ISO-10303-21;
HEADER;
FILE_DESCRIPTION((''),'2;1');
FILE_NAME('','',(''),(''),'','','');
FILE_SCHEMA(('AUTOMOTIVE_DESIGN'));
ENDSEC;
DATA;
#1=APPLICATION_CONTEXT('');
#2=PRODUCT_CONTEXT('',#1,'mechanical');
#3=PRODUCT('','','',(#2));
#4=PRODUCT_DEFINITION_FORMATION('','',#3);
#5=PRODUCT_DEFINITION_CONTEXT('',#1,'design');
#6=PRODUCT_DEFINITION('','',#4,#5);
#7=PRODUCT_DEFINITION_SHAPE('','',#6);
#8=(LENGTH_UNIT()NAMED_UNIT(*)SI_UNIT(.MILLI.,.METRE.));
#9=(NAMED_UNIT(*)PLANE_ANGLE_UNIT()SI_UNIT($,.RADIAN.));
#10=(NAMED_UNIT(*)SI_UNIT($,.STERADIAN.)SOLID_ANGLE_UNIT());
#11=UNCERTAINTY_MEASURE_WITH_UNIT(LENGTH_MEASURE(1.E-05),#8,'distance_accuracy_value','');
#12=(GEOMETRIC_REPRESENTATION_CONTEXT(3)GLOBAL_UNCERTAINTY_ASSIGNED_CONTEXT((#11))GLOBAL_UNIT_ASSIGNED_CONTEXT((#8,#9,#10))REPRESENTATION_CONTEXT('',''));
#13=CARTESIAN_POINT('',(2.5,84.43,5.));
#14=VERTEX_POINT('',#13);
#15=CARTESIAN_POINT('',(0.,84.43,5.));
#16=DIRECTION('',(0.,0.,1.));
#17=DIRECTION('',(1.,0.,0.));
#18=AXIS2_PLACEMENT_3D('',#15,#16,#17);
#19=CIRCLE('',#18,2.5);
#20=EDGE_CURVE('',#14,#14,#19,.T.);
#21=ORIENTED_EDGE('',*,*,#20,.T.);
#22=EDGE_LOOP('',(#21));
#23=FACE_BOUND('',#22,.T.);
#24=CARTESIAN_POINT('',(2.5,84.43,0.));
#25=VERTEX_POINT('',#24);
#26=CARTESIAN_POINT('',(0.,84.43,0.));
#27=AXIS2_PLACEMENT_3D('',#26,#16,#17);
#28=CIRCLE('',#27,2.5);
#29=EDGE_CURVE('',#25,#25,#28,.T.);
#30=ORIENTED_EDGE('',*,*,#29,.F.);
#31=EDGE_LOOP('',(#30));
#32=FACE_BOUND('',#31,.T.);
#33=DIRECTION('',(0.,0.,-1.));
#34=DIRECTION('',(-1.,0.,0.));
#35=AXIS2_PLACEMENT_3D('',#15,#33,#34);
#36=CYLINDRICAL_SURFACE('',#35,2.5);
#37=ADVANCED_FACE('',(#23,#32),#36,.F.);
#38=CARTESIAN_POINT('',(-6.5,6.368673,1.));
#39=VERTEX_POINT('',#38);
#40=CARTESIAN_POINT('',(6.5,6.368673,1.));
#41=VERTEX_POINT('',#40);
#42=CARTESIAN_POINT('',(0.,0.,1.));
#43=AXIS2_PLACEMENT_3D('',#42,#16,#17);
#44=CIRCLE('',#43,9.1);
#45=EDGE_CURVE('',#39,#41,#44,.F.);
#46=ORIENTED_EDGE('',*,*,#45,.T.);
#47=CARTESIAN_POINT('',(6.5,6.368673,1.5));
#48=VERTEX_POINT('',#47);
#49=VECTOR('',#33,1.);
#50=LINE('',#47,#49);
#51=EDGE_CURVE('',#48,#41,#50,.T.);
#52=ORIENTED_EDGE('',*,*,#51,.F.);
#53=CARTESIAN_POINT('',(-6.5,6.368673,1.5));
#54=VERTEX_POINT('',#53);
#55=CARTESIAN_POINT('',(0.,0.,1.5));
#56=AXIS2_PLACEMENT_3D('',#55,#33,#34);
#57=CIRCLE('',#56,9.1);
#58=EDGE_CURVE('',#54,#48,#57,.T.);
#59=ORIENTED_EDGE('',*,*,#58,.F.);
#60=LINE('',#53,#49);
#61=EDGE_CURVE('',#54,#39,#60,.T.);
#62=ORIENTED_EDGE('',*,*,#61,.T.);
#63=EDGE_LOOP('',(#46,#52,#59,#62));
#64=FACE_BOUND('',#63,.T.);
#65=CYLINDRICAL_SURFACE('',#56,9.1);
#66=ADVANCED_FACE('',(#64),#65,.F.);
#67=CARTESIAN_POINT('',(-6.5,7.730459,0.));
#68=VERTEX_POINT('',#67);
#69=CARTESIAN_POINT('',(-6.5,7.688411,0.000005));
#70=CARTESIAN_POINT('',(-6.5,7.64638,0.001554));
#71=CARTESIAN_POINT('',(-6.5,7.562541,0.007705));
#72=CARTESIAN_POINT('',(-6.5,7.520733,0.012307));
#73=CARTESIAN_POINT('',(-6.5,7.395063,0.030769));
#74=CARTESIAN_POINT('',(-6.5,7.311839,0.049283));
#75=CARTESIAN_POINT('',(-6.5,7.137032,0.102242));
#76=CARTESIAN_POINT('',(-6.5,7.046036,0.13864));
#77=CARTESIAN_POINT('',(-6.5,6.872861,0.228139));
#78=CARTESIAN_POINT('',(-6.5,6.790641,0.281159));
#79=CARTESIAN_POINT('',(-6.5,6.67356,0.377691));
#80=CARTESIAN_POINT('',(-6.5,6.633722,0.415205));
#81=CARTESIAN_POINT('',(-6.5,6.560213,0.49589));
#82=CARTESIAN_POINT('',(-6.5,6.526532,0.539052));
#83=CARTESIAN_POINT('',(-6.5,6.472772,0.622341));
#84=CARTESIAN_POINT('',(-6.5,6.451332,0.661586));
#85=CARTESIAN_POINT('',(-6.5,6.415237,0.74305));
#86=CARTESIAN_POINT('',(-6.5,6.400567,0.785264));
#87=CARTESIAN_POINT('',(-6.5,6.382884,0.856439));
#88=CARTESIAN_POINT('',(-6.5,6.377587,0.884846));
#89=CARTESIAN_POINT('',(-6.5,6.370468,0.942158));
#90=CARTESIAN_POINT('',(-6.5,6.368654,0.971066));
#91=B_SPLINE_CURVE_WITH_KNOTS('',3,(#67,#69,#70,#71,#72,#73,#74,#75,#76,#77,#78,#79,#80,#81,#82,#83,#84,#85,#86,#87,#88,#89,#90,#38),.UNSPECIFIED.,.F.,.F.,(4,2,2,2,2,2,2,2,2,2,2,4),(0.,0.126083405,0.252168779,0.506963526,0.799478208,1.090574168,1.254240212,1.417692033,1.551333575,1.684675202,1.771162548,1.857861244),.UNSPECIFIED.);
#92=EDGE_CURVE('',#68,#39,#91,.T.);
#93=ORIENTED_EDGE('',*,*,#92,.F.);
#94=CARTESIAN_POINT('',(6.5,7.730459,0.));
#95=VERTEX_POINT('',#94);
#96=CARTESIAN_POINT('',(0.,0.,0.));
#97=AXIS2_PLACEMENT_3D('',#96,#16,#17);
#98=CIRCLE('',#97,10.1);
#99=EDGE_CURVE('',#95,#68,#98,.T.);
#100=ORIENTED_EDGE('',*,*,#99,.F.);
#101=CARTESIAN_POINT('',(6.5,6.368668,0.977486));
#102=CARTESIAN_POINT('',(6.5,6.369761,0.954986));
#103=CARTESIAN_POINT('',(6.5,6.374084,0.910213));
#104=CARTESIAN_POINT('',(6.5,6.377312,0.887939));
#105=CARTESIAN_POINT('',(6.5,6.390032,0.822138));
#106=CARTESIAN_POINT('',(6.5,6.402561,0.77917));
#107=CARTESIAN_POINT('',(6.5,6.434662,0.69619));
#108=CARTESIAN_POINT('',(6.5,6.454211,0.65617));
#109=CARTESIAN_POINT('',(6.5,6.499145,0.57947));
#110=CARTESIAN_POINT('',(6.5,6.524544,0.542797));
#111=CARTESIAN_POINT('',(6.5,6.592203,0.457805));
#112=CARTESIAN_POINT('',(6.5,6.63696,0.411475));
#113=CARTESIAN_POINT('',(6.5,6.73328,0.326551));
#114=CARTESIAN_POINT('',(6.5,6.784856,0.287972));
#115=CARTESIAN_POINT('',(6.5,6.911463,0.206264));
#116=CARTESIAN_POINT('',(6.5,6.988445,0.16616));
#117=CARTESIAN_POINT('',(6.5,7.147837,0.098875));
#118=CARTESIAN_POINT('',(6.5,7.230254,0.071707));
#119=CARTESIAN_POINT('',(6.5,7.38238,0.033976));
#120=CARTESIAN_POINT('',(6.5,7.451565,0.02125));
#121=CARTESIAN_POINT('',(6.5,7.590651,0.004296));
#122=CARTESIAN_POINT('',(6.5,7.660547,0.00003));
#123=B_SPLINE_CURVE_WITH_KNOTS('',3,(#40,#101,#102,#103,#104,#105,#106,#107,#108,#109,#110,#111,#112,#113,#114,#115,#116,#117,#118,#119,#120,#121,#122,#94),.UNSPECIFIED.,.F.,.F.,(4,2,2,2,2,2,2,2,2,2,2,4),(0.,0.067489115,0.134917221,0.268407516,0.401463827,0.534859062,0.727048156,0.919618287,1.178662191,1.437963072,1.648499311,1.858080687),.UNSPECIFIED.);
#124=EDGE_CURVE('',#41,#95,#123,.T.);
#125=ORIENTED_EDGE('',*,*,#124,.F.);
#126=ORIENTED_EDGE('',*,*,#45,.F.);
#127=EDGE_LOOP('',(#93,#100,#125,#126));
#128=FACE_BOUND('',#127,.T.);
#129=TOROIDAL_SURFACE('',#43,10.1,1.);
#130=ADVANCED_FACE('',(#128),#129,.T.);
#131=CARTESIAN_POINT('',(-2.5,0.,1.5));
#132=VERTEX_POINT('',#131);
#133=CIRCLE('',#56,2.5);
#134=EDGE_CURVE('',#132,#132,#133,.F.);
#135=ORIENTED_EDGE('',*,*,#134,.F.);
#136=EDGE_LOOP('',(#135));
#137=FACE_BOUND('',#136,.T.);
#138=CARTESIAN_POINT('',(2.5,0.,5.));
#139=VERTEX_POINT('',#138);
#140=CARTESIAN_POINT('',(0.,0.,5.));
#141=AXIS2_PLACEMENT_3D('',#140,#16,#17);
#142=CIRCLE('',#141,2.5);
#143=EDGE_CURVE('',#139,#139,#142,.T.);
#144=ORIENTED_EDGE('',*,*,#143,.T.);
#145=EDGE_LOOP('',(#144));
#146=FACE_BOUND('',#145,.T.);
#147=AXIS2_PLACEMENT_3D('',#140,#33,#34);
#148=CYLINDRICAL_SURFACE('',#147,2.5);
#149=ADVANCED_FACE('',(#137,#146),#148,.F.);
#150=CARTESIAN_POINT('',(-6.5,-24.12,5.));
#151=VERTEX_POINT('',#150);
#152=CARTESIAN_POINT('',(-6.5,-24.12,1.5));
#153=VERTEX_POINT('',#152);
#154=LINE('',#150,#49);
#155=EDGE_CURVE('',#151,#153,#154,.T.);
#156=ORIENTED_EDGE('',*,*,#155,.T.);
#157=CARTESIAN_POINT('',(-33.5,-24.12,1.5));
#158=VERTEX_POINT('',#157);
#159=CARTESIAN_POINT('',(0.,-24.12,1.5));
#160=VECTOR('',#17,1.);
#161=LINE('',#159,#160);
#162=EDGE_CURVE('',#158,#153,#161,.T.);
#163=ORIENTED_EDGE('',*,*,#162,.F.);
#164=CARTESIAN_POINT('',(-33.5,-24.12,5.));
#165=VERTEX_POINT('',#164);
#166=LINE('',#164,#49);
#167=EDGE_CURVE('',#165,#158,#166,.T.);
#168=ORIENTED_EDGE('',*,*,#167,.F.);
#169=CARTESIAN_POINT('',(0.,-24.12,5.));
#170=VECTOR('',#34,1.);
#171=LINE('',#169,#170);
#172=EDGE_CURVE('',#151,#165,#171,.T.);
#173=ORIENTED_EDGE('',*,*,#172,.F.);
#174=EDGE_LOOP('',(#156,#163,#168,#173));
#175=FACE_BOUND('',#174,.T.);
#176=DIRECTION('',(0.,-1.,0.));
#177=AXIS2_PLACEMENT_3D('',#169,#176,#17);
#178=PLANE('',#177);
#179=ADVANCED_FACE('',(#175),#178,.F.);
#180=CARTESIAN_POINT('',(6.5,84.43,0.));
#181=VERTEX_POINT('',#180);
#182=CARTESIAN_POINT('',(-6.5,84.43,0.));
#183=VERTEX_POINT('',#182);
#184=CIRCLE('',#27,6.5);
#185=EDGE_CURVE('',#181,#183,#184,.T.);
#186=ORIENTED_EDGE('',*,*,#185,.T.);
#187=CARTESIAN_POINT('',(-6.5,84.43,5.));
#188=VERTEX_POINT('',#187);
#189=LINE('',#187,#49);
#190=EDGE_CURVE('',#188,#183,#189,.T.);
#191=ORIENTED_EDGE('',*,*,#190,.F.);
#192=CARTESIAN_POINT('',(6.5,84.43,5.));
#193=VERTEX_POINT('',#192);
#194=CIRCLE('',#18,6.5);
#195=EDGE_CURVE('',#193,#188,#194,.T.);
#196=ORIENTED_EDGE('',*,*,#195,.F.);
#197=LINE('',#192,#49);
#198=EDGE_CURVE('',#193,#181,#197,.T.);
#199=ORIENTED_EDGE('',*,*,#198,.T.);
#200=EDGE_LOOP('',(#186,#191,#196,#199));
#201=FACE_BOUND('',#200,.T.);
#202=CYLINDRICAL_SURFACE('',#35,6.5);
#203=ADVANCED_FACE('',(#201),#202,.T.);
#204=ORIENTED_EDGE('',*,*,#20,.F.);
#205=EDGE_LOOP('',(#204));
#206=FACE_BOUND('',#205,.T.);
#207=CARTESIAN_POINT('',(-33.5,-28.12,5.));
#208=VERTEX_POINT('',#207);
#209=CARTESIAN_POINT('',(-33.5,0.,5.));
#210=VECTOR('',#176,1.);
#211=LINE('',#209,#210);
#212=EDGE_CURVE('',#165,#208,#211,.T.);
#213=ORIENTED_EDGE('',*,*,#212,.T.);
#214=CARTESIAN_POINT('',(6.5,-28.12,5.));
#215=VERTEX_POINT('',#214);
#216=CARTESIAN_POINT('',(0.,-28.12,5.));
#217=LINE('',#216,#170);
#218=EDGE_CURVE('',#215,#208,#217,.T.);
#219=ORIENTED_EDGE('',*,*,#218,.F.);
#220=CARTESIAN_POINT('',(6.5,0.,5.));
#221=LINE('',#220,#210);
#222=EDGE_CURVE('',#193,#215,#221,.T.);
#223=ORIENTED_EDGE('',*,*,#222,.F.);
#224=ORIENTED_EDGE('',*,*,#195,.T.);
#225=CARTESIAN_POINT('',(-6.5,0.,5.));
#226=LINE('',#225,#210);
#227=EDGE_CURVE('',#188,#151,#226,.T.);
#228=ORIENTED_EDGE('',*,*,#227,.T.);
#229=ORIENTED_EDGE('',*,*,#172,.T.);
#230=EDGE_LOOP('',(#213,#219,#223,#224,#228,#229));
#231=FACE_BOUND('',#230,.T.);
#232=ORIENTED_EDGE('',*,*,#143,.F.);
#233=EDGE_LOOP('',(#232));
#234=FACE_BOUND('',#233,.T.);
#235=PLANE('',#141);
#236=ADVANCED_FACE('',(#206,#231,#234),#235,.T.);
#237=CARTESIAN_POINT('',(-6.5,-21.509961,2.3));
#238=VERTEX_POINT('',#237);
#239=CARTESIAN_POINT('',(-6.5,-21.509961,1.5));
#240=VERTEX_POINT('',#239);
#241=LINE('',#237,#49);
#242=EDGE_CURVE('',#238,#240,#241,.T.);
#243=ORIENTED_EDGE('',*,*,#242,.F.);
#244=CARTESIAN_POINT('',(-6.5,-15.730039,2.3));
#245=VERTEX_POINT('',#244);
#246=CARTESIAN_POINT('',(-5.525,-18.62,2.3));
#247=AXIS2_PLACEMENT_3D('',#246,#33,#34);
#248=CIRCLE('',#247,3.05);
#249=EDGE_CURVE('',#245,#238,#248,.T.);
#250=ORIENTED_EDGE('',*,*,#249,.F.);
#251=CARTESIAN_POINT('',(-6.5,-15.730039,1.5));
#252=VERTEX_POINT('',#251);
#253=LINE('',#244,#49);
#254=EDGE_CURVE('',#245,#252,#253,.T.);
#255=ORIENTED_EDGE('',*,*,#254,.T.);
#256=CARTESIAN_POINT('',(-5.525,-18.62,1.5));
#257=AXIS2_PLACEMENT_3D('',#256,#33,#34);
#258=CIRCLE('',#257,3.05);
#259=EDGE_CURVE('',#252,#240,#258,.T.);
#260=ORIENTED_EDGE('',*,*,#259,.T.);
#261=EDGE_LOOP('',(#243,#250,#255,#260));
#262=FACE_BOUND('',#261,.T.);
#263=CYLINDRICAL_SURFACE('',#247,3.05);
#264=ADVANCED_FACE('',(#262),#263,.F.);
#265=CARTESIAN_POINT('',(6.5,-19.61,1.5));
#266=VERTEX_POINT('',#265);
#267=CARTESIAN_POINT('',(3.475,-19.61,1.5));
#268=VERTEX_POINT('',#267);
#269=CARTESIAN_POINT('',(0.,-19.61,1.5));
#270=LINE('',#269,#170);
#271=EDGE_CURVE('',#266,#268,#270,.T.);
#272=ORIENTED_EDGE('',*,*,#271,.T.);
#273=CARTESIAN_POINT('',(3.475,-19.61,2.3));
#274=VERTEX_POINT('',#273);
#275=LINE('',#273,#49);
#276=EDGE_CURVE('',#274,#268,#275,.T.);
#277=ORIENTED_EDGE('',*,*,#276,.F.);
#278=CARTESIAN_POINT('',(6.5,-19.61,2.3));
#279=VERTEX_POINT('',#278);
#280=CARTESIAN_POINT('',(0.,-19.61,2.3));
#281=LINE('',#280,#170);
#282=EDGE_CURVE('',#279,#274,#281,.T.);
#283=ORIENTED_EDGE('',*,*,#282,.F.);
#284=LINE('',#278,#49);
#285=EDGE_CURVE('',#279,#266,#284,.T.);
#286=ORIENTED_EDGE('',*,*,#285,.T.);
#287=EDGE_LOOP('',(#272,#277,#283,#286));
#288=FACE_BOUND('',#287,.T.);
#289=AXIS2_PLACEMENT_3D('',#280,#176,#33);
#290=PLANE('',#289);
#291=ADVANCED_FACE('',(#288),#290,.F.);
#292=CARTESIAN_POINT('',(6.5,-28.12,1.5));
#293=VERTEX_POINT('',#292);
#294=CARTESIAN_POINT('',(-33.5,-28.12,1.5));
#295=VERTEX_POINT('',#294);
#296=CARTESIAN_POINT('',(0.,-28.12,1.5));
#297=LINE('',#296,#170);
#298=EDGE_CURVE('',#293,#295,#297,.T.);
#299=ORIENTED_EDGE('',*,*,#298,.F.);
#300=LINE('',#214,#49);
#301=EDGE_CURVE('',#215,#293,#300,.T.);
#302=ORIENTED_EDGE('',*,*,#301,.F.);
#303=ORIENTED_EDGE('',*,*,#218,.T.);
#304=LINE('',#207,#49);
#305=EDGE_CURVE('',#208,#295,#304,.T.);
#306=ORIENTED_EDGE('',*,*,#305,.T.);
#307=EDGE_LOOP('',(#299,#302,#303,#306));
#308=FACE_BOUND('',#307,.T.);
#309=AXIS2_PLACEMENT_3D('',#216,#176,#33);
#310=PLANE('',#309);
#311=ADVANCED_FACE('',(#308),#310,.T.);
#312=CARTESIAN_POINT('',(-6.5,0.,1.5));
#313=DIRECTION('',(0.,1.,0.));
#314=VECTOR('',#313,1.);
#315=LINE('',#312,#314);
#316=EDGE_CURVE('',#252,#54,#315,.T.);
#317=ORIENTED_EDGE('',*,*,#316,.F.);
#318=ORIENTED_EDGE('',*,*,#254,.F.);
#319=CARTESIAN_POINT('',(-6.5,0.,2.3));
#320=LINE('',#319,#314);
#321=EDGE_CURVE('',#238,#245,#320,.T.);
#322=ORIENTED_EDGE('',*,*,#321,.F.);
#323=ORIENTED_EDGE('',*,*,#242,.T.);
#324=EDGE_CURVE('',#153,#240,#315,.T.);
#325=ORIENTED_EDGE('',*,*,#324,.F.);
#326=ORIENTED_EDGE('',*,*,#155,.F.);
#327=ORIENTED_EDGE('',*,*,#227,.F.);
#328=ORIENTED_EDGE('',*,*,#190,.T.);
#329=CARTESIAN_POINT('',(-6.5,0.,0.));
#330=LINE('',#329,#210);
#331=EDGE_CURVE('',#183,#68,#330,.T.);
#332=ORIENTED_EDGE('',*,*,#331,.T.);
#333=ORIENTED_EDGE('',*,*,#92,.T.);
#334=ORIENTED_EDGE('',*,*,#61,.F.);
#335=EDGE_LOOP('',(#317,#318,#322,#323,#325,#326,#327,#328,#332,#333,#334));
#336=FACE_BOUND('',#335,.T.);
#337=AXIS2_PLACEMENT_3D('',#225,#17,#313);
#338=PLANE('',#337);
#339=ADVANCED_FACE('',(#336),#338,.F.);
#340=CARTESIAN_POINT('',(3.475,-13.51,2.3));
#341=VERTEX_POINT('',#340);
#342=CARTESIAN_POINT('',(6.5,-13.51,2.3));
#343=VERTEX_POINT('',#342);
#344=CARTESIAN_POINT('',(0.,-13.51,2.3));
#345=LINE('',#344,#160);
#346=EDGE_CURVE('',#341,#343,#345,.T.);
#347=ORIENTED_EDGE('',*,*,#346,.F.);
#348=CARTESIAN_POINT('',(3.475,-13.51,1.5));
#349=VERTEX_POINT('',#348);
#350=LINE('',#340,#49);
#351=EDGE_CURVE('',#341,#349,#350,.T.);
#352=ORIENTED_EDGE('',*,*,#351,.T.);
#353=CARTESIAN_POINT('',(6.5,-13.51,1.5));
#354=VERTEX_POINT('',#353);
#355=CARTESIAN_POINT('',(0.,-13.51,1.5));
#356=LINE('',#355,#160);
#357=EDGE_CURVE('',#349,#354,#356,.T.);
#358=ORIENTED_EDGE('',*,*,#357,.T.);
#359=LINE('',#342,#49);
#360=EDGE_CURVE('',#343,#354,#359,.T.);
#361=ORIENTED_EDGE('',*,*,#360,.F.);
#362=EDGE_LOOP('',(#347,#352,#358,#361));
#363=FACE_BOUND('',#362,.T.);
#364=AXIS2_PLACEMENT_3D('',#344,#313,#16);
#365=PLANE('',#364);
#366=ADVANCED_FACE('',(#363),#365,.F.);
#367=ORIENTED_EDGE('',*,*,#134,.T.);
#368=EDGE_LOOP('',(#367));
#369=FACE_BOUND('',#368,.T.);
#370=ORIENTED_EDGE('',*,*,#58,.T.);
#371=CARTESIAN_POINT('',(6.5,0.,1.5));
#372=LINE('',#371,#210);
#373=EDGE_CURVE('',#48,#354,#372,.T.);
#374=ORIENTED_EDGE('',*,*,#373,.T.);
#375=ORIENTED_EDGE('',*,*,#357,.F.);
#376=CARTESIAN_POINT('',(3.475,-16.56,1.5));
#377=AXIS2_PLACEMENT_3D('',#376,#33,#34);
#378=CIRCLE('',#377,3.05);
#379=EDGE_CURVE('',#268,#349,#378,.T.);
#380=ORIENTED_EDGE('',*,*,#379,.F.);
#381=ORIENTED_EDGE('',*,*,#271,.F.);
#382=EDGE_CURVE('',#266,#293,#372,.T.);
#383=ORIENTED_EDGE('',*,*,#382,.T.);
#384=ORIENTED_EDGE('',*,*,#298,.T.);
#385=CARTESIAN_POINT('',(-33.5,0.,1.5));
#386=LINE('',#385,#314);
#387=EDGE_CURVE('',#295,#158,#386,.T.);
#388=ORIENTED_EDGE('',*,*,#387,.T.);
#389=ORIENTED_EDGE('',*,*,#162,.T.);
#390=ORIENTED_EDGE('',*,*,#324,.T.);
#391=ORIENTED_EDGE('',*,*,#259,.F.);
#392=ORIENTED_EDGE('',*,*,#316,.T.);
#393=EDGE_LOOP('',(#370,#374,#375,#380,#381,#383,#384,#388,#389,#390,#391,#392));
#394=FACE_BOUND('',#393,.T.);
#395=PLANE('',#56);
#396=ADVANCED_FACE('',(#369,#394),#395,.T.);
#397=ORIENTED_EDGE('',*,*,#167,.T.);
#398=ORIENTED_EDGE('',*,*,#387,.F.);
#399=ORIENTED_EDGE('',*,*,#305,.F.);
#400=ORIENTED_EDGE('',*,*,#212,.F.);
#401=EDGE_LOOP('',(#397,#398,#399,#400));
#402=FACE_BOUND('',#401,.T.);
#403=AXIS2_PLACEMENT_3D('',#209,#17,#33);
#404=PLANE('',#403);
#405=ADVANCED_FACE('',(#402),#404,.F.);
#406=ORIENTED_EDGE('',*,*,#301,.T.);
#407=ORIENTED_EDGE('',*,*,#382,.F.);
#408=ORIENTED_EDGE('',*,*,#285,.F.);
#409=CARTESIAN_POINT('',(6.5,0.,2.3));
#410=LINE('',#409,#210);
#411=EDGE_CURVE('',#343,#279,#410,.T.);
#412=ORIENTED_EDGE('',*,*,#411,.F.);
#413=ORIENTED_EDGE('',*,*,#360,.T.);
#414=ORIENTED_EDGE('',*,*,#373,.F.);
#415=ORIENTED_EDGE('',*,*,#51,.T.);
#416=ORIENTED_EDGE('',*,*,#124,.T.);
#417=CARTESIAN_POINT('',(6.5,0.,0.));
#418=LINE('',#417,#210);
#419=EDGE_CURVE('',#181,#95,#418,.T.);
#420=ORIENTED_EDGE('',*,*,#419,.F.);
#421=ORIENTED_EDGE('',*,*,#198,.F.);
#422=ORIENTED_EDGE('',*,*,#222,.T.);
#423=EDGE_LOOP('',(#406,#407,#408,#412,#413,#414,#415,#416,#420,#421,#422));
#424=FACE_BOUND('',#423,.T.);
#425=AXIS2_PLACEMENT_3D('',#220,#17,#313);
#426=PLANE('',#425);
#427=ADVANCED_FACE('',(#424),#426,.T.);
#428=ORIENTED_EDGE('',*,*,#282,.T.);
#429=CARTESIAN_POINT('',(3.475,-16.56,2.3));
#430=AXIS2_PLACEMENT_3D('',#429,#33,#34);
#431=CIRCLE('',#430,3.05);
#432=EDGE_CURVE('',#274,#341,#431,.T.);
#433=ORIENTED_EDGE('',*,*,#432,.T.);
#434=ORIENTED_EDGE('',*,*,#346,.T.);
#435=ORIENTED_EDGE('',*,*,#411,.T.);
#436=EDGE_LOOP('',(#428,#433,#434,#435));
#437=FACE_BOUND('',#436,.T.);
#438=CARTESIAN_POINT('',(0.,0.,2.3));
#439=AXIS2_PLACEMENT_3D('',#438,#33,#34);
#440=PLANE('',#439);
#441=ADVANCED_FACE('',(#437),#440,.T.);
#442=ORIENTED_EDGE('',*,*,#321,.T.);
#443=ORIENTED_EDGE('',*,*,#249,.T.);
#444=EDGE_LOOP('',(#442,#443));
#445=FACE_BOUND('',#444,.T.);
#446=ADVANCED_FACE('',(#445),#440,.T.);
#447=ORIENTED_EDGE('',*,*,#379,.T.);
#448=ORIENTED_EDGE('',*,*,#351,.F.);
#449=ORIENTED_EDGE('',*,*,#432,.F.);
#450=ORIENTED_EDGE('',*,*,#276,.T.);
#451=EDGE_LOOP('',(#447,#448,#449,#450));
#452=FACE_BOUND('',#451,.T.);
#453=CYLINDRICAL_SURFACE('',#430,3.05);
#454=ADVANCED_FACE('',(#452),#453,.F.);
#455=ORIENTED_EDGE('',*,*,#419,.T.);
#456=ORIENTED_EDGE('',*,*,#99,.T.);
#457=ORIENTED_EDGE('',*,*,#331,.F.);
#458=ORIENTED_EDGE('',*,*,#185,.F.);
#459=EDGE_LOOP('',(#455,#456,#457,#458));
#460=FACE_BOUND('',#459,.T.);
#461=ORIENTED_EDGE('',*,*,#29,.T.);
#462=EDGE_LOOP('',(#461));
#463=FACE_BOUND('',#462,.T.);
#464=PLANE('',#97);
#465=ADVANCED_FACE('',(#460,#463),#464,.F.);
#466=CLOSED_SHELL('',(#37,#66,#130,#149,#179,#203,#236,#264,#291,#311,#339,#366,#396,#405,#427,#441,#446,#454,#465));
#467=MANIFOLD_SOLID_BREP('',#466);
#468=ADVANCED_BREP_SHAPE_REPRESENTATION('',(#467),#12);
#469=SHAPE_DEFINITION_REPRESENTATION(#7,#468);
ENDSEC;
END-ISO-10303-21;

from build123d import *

# Parameters (mm, degrees)
SKETCH1_W           = 27
SKETCH1_H           = 4
SKETCH1_W_2         = 13
SKETCH1_R           = 6.5
SKETCH1_R_2         = 2.5
BOSS_EXTRUDE1_DEPTH = 5
SKETCH2_R           = 2.5
CUT_EXTRUDE1_DEPTH  = 1.5
CUT_EXTRUDE2_DEPTH  = 0.8
FILLET1_R           = 1


with BuildPart() as part:
    # Sketch1 → Boss-Extrude1 (new body)
    # profile 1 of 6: a face of its own
    with BuildSketch(Plane.XY):
        with Locations((-20, -26.12)):
            Rectangle(SKETCH1_W, SKETCH1_H)
    # profile 2 of 6: a face of its own
    with BuildSketch(Plane.XY):
        with Locations((0, -26.12)):
            Rectangle(SKETCH1_W_2, SKETCH1_H)
    # profile 3 of 6: a face of its own
    with BuildSketch(Plane.XY):
        with BuildLine():
            Line((-6.5, -24.12), (6.5, -24.12))
            Line((6.5, -24.12), (6.5, 0))
            ThreePointArc((6.5, 0), (0, -6.5), (-6.5, 0))
            Line((-6.5, 0), (-6.5, -24.12))
        make_face()
    # profile 4 of 6: a face of its own
    with BuildSketch(Plane.XY):
        Circle(SKETCH1_R)
        Circle(SKETCH1_R_2, mode=Mode.SUBTRACT)
    # profile 5 of 6: a face of its own
    with BuildSketch(Plane.XY):
        with BuildLine():
            ThreePointArc((-6.5, 0), (0, 6.5), (6.5, 0))
            Line((6.5, 0), (6.5, 84.43))
            ThreePointArc((6.5, 84.43), (0, 77.93), (-6.5, 84.43))
            Line((-6.5, 84.43), (-6.5, 0))
        make_face()
    # profile 6 of 6: a face of its own
    with BuildSketch(Plane.XY):
        with Locations((0, 84.43)):
            Circle(SKETCH1_R)
        with Locations((0, 84.43)):
            Circle(SKETCH1_R_2, mode=Mode.SUBTRACT)
    extrude(amount=BOSS_EXTRUDE1_DEPTH)

    # Sketch2 → Cut-Extrude1 (cut)
    with BuildSketch(Plane(origin=(0, 0, 0), x_dir=(-1, 0, 0), z_dir=(0, 0, -1))):
        with BuildLine():
            Line((33.5, -28.12), (33.5, -24.12))
            Line((33.5, -24.12), (6.5, -24.12))
            Line((6.5, -24.12), (6.5, 6.368673331))
            ThreePointArc((6.5, 6.368673331), (0, 9.1), (-6.5, 6.368673331))
            Line((-6.5, 6.368673331), (-6.5, -28.12))
            Line((-6.5, -28.12), (33.5, -28.12))
        make_face()
        Circle(SKETCH2_R, mode=Mode.SUBTRACT)
    extrude(amount=-CUT_EXTRUDE1_DEPTH, mode=Mode.SUBTRACT)

    # Sketch3 → Cut-Extrude2 (cut)
    with BuildSketch(Plane(origin=(0, 0, 1.5), x_dir=(-1, 0, 0), z_dir=(0, 0, -1))):
        with BuildLine():
            ThreePointArc((-0.425, -16.56), (-1.318324317, -14.403324317), (-3.475, -13.51))
            ThreePointArc((-3.475, -13.51), (-5.489184715, -14.269681259), (-6.5, -16.170288568))
            Line((-6.5, -16.170288568), (-6.5, -16.949711432))
            ThreePointArc((-6.5, -16.949711432), (-5.489184715, -18.850318741), (-3.475, -19.61))
            ThreePointArc((-3.475, -19.61), (-1.318324317, -18.716675683), (-0.425, -16.56))
        make_face()
        with BuildLine():
            Line((-6.5, -16.949711432), (-6.5, -16.170288568))
            ThreePointArc((-6.5, -16.170288568), (-6.525, -16.56), (-6.5, -16.949711432))
        make_face()
        with BuildLine():
            Line((-6.5, -19.61), (-3.475, -19.61))
            ThreePointArc((-3.475, -19.61), (-5.489184715, -18.850318741), (-6.5, -16.949711432))
            Line((-6.5, -16.949711432), (-6.5, -19.61))
        make_face()
        with BuildLine():
            ThreePointArc((-6.5, -16.170288568), (-5.489184715, -14.269681259), (-3.475, -13.51))
            Line((-3.475, -13.51), (-6.5, -13.51))
            Line((-6.5, -13.51), (-6.5, -16.170288568))
        make_face()
        with BuildLine():
            ThreePointArc((6.5, -21.509961072), (8.002523966, -20.398869023), (8.575, -18.62))
            ThreePointArc((8.575, -18.62), (8.002523966, -16.841130977), (6.5, -15.730038928))
            Line((6.5, -15.730038928), (6.5, -21.509961072))
        make_face()
        with BuildLine():
            Line((6.5, -21.509961072), (6.5, -15.730038928))
            ThreePointArc((6.5, -15.730038928), (2.475, -18.62), (6.5, -21.509961072))
        make_face()
    extrude(amount=-CUT_EXTRUDE2_DEPTH, mode=Mode.SUBTRACT)

    # Fillet1
    fillet1_edges = [part.edges().sort_by_distance(p)[0] for p in [
        (0, 9.1, 0),
    ]]
    fillet(fillet1_edges, radius=FILLET1_R)


solid = part.part
